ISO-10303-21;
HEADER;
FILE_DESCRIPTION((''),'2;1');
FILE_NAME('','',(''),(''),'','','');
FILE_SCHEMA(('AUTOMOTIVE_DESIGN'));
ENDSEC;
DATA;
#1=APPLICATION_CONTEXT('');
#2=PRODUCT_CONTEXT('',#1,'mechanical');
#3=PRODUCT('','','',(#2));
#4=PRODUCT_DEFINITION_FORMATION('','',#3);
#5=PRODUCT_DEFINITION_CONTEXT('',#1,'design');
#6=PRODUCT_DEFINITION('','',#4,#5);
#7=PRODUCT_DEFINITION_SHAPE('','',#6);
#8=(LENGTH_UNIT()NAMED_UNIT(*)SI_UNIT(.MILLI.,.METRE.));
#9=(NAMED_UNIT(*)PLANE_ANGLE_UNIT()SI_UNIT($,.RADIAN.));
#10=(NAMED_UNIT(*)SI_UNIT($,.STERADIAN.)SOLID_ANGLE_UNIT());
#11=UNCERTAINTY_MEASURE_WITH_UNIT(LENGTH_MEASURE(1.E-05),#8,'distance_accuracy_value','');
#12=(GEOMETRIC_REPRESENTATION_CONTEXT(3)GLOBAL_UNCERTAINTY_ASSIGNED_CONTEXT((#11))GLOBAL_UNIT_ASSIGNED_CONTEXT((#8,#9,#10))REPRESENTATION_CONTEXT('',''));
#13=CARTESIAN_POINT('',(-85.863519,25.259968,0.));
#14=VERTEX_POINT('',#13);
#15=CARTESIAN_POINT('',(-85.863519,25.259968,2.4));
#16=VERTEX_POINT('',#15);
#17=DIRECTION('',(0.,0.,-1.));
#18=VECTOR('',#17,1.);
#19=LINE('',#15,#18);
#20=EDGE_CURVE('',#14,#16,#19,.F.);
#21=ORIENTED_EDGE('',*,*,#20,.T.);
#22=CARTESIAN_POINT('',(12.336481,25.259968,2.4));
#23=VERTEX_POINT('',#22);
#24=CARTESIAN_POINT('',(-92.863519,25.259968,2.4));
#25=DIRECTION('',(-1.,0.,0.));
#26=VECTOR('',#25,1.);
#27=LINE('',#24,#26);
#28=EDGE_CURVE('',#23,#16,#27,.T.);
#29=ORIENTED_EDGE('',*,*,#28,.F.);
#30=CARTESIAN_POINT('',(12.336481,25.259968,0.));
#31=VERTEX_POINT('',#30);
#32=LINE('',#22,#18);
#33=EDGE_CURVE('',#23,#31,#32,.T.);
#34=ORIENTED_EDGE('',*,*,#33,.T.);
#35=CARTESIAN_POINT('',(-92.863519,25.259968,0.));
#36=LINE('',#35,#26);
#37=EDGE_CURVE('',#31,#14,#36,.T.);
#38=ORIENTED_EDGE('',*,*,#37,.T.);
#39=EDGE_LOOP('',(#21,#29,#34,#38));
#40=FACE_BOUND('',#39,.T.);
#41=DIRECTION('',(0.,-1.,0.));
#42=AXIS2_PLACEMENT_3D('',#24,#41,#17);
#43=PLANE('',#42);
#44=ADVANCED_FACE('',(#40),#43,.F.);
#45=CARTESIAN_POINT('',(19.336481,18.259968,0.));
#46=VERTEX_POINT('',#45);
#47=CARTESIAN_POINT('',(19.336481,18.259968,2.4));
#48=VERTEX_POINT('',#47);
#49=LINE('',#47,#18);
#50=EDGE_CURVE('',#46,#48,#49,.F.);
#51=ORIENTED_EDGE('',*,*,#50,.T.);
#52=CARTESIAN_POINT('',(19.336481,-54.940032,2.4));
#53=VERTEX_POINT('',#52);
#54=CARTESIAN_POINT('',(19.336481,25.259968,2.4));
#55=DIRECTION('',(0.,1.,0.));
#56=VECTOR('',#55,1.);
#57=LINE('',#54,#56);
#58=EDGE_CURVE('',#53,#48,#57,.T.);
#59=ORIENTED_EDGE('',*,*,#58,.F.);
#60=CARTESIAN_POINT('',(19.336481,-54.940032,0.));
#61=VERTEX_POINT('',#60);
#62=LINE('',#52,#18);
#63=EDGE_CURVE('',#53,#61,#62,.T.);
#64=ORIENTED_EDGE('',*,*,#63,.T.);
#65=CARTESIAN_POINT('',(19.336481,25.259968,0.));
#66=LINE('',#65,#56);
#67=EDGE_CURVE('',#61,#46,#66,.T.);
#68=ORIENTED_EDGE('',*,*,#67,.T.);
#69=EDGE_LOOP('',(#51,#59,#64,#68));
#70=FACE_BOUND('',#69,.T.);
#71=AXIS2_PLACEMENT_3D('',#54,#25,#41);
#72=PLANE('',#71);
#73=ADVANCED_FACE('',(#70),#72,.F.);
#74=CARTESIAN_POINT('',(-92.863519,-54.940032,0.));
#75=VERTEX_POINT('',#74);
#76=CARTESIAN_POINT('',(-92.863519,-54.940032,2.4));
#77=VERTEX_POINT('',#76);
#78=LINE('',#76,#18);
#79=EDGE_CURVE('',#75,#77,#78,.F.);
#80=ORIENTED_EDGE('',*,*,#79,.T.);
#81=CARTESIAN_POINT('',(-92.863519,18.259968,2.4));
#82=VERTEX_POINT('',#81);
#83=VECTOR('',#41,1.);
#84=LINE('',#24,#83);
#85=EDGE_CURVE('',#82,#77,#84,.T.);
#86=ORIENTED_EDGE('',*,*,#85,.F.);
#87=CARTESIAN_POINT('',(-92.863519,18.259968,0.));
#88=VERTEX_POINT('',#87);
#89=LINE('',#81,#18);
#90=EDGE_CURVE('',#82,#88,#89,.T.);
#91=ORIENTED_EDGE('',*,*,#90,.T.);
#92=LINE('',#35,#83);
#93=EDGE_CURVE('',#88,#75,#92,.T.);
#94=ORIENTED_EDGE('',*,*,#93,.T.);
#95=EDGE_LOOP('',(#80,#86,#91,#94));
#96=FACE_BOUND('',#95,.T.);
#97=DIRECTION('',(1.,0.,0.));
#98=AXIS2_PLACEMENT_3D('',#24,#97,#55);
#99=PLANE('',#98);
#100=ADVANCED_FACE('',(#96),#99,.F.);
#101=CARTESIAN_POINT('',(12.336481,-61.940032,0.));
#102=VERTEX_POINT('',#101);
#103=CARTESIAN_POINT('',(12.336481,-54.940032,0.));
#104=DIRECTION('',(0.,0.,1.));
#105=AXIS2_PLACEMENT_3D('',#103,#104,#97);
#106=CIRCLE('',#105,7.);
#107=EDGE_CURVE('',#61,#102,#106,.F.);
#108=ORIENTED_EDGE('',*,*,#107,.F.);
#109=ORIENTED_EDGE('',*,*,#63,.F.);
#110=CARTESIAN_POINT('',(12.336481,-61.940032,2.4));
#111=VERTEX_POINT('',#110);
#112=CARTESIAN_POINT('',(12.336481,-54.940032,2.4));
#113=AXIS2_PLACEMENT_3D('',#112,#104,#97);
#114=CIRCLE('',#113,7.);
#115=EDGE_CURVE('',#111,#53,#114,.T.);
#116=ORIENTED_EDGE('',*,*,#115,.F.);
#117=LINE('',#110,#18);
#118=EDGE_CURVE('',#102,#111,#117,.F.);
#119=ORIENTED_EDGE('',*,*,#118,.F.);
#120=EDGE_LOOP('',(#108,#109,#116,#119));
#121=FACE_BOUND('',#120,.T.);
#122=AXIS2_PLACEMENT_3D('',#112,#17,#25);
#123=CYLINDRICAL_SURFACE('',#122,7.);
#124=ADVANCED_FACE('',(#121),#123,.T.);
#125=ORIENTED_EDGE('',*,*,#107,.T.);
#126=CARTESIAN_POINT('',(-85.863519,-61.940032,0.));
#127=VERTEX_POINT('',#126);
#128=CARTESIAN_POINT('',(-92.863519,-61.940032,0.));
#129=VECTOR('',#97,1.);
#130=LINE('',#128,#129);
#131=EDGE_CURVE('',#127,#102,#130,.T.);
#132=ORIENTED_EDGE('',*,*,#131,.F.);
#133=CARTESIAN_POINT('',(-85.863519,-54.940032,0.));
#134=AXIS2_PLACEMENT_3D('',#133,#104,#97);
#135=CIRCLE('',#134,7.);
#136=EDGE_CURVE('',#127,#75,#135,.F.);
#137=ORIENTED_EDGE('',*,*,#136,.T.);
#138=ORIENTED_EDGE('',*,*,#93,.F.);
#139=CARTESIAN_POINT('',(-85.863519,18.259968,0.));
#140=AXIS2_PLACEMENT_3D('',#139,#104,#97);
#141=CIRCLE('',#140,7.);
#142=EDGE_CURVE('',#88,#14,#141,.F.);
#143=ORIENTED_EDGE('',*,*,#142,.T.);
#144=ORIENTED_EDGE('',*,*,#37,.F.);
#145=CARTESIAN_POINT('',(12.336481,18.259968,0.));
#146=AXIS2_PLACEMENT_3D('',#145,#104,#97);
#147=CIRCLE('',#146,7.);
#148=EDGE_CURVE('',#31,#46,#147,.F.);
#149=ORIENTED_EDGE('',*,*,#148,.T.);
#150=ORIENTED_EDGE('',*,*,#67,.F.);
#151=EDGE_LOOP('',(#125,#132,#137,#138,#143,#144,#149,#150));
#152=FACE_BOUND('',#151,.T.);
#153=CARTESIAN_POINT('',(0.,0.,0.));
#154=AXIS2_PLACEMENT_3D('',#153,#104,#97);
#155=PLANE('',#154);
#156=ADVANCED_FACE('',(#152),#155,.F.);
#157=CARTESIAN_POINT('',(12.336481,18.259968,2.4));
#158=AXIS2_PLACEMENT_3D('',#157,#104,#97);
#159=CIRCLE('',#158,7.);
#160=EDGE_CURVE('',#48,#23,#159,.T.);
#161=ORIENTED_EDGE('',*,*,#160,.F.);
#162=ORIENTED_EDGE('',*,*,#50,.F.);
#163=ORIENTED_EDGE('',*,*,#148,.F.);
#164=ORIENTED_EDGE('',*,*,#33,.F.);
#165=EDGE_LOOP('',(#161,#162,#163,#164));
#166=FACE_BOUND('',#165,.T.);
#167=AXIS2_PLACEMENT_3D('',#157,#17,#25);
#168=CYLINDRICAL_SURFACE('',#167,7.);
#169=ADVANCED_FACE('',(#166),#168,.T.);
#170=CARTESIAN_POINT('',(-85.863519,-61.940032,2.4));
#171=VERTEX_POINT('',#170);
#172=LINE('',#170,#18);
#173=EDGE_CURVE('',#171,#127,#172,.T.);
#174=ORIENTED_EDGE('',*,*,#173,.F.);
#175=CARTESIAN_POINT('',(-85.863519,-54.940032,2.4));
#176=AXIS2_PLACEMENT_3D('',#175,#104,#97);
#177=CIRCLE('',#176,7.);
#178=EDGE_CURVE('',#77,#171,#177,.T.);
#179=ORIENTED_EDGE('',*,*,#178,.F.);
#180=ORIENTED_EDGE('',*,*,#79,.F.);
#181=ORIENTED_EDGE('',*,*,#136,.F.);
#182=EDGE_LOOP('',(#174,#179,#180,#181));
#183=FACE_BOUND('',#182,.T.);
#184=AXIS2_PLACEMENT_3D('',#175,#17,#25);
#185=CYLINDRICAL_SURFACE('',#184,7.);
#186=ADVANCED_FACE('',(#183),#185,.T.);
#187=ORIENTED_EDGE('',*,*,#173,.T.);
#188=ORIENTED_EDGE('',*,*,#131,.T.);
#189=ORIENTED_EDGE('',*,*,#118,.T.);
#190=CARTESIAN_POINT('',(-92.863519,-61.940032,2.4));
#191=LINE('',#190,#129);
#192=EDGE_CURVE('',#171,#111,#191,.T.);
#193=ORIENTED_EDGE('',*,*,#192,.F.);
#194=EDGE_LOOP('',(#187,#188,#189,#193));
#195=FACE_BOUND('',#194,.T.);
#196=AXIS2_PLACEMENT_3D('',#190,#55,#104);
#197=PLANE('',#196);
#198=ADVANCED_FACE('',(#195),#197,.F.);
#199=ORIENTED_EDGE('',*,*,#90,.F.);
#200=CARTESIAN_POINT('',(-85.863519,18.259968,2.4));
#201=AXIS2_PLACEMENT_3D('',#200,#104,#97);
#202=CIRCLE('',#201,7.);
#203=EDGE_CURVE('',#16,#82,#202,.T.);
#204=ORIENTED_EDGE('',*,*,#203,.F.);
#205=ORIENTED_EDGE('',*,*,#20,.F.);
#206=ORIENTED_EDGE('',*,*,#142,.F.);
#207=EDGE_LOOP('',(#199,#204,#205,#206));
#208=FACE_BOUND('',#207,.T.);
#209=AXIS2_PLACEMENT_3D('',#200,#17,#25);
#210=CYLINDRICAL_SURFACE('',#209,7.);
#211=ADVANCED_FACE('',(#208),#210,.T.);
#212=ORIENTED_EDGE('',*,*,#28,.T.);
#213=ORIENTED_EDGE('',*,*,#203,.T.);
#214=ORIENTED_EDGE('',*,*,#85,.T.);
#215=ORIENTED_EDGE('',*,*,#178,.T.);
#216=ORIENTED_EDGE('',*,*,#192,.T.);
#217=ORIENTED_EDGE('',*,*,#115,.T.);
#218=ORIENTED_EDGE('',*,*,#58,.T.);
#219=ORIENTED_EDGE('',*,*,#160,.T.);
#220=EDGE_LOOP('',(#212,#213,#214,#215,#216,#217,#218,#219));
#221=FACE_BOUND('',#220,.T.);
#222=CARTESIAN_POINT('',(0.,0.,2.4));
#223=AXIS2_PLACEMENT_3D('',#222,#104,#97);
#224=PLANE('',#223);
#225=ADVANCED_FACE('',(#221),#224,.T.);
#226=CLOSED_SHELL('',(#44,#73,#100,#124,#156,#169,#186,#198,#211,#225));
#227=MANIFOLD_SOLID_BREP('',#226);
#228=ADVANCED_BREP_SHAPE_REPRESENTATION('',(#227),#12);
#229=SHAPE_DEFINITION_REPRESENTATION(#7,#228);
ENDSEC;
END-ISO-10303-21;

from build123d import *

# Parameters (mm, degrees)
SKETCH1_W           = 112.2
SKETCH1_H           = 87.2
BOSS_EXTRUDE1_DEPTH = 2.4
FILLET2_R           = 7


with BuildPart() as part:
    # Sketch1 → Boss-Extrude1 (new body)
    with BuildSketch(Plane.XY):
        with Locations((-36.763518847, -18.340032361)):
            Rectangle(SKETCH1_W, SKETCH1_H)
    extrude(amount=BOSS_EXTRUDE1_DEPTH)

    # Fillet2
    fillet2_edges = [part.edges().sort_by_distance(p)[0] for p in [
        (-92.863518847, 25.259967639, 1.2),
        (19.336481153, 25.259967639, 1.2),
        (19.336481153, -61.940032361, 1.2),
        (-92.863518847, -61.940032361, 1.2),
    ]]
    fillet(fillet2_edges, radius=FILLET2_R)


solid = part.part
